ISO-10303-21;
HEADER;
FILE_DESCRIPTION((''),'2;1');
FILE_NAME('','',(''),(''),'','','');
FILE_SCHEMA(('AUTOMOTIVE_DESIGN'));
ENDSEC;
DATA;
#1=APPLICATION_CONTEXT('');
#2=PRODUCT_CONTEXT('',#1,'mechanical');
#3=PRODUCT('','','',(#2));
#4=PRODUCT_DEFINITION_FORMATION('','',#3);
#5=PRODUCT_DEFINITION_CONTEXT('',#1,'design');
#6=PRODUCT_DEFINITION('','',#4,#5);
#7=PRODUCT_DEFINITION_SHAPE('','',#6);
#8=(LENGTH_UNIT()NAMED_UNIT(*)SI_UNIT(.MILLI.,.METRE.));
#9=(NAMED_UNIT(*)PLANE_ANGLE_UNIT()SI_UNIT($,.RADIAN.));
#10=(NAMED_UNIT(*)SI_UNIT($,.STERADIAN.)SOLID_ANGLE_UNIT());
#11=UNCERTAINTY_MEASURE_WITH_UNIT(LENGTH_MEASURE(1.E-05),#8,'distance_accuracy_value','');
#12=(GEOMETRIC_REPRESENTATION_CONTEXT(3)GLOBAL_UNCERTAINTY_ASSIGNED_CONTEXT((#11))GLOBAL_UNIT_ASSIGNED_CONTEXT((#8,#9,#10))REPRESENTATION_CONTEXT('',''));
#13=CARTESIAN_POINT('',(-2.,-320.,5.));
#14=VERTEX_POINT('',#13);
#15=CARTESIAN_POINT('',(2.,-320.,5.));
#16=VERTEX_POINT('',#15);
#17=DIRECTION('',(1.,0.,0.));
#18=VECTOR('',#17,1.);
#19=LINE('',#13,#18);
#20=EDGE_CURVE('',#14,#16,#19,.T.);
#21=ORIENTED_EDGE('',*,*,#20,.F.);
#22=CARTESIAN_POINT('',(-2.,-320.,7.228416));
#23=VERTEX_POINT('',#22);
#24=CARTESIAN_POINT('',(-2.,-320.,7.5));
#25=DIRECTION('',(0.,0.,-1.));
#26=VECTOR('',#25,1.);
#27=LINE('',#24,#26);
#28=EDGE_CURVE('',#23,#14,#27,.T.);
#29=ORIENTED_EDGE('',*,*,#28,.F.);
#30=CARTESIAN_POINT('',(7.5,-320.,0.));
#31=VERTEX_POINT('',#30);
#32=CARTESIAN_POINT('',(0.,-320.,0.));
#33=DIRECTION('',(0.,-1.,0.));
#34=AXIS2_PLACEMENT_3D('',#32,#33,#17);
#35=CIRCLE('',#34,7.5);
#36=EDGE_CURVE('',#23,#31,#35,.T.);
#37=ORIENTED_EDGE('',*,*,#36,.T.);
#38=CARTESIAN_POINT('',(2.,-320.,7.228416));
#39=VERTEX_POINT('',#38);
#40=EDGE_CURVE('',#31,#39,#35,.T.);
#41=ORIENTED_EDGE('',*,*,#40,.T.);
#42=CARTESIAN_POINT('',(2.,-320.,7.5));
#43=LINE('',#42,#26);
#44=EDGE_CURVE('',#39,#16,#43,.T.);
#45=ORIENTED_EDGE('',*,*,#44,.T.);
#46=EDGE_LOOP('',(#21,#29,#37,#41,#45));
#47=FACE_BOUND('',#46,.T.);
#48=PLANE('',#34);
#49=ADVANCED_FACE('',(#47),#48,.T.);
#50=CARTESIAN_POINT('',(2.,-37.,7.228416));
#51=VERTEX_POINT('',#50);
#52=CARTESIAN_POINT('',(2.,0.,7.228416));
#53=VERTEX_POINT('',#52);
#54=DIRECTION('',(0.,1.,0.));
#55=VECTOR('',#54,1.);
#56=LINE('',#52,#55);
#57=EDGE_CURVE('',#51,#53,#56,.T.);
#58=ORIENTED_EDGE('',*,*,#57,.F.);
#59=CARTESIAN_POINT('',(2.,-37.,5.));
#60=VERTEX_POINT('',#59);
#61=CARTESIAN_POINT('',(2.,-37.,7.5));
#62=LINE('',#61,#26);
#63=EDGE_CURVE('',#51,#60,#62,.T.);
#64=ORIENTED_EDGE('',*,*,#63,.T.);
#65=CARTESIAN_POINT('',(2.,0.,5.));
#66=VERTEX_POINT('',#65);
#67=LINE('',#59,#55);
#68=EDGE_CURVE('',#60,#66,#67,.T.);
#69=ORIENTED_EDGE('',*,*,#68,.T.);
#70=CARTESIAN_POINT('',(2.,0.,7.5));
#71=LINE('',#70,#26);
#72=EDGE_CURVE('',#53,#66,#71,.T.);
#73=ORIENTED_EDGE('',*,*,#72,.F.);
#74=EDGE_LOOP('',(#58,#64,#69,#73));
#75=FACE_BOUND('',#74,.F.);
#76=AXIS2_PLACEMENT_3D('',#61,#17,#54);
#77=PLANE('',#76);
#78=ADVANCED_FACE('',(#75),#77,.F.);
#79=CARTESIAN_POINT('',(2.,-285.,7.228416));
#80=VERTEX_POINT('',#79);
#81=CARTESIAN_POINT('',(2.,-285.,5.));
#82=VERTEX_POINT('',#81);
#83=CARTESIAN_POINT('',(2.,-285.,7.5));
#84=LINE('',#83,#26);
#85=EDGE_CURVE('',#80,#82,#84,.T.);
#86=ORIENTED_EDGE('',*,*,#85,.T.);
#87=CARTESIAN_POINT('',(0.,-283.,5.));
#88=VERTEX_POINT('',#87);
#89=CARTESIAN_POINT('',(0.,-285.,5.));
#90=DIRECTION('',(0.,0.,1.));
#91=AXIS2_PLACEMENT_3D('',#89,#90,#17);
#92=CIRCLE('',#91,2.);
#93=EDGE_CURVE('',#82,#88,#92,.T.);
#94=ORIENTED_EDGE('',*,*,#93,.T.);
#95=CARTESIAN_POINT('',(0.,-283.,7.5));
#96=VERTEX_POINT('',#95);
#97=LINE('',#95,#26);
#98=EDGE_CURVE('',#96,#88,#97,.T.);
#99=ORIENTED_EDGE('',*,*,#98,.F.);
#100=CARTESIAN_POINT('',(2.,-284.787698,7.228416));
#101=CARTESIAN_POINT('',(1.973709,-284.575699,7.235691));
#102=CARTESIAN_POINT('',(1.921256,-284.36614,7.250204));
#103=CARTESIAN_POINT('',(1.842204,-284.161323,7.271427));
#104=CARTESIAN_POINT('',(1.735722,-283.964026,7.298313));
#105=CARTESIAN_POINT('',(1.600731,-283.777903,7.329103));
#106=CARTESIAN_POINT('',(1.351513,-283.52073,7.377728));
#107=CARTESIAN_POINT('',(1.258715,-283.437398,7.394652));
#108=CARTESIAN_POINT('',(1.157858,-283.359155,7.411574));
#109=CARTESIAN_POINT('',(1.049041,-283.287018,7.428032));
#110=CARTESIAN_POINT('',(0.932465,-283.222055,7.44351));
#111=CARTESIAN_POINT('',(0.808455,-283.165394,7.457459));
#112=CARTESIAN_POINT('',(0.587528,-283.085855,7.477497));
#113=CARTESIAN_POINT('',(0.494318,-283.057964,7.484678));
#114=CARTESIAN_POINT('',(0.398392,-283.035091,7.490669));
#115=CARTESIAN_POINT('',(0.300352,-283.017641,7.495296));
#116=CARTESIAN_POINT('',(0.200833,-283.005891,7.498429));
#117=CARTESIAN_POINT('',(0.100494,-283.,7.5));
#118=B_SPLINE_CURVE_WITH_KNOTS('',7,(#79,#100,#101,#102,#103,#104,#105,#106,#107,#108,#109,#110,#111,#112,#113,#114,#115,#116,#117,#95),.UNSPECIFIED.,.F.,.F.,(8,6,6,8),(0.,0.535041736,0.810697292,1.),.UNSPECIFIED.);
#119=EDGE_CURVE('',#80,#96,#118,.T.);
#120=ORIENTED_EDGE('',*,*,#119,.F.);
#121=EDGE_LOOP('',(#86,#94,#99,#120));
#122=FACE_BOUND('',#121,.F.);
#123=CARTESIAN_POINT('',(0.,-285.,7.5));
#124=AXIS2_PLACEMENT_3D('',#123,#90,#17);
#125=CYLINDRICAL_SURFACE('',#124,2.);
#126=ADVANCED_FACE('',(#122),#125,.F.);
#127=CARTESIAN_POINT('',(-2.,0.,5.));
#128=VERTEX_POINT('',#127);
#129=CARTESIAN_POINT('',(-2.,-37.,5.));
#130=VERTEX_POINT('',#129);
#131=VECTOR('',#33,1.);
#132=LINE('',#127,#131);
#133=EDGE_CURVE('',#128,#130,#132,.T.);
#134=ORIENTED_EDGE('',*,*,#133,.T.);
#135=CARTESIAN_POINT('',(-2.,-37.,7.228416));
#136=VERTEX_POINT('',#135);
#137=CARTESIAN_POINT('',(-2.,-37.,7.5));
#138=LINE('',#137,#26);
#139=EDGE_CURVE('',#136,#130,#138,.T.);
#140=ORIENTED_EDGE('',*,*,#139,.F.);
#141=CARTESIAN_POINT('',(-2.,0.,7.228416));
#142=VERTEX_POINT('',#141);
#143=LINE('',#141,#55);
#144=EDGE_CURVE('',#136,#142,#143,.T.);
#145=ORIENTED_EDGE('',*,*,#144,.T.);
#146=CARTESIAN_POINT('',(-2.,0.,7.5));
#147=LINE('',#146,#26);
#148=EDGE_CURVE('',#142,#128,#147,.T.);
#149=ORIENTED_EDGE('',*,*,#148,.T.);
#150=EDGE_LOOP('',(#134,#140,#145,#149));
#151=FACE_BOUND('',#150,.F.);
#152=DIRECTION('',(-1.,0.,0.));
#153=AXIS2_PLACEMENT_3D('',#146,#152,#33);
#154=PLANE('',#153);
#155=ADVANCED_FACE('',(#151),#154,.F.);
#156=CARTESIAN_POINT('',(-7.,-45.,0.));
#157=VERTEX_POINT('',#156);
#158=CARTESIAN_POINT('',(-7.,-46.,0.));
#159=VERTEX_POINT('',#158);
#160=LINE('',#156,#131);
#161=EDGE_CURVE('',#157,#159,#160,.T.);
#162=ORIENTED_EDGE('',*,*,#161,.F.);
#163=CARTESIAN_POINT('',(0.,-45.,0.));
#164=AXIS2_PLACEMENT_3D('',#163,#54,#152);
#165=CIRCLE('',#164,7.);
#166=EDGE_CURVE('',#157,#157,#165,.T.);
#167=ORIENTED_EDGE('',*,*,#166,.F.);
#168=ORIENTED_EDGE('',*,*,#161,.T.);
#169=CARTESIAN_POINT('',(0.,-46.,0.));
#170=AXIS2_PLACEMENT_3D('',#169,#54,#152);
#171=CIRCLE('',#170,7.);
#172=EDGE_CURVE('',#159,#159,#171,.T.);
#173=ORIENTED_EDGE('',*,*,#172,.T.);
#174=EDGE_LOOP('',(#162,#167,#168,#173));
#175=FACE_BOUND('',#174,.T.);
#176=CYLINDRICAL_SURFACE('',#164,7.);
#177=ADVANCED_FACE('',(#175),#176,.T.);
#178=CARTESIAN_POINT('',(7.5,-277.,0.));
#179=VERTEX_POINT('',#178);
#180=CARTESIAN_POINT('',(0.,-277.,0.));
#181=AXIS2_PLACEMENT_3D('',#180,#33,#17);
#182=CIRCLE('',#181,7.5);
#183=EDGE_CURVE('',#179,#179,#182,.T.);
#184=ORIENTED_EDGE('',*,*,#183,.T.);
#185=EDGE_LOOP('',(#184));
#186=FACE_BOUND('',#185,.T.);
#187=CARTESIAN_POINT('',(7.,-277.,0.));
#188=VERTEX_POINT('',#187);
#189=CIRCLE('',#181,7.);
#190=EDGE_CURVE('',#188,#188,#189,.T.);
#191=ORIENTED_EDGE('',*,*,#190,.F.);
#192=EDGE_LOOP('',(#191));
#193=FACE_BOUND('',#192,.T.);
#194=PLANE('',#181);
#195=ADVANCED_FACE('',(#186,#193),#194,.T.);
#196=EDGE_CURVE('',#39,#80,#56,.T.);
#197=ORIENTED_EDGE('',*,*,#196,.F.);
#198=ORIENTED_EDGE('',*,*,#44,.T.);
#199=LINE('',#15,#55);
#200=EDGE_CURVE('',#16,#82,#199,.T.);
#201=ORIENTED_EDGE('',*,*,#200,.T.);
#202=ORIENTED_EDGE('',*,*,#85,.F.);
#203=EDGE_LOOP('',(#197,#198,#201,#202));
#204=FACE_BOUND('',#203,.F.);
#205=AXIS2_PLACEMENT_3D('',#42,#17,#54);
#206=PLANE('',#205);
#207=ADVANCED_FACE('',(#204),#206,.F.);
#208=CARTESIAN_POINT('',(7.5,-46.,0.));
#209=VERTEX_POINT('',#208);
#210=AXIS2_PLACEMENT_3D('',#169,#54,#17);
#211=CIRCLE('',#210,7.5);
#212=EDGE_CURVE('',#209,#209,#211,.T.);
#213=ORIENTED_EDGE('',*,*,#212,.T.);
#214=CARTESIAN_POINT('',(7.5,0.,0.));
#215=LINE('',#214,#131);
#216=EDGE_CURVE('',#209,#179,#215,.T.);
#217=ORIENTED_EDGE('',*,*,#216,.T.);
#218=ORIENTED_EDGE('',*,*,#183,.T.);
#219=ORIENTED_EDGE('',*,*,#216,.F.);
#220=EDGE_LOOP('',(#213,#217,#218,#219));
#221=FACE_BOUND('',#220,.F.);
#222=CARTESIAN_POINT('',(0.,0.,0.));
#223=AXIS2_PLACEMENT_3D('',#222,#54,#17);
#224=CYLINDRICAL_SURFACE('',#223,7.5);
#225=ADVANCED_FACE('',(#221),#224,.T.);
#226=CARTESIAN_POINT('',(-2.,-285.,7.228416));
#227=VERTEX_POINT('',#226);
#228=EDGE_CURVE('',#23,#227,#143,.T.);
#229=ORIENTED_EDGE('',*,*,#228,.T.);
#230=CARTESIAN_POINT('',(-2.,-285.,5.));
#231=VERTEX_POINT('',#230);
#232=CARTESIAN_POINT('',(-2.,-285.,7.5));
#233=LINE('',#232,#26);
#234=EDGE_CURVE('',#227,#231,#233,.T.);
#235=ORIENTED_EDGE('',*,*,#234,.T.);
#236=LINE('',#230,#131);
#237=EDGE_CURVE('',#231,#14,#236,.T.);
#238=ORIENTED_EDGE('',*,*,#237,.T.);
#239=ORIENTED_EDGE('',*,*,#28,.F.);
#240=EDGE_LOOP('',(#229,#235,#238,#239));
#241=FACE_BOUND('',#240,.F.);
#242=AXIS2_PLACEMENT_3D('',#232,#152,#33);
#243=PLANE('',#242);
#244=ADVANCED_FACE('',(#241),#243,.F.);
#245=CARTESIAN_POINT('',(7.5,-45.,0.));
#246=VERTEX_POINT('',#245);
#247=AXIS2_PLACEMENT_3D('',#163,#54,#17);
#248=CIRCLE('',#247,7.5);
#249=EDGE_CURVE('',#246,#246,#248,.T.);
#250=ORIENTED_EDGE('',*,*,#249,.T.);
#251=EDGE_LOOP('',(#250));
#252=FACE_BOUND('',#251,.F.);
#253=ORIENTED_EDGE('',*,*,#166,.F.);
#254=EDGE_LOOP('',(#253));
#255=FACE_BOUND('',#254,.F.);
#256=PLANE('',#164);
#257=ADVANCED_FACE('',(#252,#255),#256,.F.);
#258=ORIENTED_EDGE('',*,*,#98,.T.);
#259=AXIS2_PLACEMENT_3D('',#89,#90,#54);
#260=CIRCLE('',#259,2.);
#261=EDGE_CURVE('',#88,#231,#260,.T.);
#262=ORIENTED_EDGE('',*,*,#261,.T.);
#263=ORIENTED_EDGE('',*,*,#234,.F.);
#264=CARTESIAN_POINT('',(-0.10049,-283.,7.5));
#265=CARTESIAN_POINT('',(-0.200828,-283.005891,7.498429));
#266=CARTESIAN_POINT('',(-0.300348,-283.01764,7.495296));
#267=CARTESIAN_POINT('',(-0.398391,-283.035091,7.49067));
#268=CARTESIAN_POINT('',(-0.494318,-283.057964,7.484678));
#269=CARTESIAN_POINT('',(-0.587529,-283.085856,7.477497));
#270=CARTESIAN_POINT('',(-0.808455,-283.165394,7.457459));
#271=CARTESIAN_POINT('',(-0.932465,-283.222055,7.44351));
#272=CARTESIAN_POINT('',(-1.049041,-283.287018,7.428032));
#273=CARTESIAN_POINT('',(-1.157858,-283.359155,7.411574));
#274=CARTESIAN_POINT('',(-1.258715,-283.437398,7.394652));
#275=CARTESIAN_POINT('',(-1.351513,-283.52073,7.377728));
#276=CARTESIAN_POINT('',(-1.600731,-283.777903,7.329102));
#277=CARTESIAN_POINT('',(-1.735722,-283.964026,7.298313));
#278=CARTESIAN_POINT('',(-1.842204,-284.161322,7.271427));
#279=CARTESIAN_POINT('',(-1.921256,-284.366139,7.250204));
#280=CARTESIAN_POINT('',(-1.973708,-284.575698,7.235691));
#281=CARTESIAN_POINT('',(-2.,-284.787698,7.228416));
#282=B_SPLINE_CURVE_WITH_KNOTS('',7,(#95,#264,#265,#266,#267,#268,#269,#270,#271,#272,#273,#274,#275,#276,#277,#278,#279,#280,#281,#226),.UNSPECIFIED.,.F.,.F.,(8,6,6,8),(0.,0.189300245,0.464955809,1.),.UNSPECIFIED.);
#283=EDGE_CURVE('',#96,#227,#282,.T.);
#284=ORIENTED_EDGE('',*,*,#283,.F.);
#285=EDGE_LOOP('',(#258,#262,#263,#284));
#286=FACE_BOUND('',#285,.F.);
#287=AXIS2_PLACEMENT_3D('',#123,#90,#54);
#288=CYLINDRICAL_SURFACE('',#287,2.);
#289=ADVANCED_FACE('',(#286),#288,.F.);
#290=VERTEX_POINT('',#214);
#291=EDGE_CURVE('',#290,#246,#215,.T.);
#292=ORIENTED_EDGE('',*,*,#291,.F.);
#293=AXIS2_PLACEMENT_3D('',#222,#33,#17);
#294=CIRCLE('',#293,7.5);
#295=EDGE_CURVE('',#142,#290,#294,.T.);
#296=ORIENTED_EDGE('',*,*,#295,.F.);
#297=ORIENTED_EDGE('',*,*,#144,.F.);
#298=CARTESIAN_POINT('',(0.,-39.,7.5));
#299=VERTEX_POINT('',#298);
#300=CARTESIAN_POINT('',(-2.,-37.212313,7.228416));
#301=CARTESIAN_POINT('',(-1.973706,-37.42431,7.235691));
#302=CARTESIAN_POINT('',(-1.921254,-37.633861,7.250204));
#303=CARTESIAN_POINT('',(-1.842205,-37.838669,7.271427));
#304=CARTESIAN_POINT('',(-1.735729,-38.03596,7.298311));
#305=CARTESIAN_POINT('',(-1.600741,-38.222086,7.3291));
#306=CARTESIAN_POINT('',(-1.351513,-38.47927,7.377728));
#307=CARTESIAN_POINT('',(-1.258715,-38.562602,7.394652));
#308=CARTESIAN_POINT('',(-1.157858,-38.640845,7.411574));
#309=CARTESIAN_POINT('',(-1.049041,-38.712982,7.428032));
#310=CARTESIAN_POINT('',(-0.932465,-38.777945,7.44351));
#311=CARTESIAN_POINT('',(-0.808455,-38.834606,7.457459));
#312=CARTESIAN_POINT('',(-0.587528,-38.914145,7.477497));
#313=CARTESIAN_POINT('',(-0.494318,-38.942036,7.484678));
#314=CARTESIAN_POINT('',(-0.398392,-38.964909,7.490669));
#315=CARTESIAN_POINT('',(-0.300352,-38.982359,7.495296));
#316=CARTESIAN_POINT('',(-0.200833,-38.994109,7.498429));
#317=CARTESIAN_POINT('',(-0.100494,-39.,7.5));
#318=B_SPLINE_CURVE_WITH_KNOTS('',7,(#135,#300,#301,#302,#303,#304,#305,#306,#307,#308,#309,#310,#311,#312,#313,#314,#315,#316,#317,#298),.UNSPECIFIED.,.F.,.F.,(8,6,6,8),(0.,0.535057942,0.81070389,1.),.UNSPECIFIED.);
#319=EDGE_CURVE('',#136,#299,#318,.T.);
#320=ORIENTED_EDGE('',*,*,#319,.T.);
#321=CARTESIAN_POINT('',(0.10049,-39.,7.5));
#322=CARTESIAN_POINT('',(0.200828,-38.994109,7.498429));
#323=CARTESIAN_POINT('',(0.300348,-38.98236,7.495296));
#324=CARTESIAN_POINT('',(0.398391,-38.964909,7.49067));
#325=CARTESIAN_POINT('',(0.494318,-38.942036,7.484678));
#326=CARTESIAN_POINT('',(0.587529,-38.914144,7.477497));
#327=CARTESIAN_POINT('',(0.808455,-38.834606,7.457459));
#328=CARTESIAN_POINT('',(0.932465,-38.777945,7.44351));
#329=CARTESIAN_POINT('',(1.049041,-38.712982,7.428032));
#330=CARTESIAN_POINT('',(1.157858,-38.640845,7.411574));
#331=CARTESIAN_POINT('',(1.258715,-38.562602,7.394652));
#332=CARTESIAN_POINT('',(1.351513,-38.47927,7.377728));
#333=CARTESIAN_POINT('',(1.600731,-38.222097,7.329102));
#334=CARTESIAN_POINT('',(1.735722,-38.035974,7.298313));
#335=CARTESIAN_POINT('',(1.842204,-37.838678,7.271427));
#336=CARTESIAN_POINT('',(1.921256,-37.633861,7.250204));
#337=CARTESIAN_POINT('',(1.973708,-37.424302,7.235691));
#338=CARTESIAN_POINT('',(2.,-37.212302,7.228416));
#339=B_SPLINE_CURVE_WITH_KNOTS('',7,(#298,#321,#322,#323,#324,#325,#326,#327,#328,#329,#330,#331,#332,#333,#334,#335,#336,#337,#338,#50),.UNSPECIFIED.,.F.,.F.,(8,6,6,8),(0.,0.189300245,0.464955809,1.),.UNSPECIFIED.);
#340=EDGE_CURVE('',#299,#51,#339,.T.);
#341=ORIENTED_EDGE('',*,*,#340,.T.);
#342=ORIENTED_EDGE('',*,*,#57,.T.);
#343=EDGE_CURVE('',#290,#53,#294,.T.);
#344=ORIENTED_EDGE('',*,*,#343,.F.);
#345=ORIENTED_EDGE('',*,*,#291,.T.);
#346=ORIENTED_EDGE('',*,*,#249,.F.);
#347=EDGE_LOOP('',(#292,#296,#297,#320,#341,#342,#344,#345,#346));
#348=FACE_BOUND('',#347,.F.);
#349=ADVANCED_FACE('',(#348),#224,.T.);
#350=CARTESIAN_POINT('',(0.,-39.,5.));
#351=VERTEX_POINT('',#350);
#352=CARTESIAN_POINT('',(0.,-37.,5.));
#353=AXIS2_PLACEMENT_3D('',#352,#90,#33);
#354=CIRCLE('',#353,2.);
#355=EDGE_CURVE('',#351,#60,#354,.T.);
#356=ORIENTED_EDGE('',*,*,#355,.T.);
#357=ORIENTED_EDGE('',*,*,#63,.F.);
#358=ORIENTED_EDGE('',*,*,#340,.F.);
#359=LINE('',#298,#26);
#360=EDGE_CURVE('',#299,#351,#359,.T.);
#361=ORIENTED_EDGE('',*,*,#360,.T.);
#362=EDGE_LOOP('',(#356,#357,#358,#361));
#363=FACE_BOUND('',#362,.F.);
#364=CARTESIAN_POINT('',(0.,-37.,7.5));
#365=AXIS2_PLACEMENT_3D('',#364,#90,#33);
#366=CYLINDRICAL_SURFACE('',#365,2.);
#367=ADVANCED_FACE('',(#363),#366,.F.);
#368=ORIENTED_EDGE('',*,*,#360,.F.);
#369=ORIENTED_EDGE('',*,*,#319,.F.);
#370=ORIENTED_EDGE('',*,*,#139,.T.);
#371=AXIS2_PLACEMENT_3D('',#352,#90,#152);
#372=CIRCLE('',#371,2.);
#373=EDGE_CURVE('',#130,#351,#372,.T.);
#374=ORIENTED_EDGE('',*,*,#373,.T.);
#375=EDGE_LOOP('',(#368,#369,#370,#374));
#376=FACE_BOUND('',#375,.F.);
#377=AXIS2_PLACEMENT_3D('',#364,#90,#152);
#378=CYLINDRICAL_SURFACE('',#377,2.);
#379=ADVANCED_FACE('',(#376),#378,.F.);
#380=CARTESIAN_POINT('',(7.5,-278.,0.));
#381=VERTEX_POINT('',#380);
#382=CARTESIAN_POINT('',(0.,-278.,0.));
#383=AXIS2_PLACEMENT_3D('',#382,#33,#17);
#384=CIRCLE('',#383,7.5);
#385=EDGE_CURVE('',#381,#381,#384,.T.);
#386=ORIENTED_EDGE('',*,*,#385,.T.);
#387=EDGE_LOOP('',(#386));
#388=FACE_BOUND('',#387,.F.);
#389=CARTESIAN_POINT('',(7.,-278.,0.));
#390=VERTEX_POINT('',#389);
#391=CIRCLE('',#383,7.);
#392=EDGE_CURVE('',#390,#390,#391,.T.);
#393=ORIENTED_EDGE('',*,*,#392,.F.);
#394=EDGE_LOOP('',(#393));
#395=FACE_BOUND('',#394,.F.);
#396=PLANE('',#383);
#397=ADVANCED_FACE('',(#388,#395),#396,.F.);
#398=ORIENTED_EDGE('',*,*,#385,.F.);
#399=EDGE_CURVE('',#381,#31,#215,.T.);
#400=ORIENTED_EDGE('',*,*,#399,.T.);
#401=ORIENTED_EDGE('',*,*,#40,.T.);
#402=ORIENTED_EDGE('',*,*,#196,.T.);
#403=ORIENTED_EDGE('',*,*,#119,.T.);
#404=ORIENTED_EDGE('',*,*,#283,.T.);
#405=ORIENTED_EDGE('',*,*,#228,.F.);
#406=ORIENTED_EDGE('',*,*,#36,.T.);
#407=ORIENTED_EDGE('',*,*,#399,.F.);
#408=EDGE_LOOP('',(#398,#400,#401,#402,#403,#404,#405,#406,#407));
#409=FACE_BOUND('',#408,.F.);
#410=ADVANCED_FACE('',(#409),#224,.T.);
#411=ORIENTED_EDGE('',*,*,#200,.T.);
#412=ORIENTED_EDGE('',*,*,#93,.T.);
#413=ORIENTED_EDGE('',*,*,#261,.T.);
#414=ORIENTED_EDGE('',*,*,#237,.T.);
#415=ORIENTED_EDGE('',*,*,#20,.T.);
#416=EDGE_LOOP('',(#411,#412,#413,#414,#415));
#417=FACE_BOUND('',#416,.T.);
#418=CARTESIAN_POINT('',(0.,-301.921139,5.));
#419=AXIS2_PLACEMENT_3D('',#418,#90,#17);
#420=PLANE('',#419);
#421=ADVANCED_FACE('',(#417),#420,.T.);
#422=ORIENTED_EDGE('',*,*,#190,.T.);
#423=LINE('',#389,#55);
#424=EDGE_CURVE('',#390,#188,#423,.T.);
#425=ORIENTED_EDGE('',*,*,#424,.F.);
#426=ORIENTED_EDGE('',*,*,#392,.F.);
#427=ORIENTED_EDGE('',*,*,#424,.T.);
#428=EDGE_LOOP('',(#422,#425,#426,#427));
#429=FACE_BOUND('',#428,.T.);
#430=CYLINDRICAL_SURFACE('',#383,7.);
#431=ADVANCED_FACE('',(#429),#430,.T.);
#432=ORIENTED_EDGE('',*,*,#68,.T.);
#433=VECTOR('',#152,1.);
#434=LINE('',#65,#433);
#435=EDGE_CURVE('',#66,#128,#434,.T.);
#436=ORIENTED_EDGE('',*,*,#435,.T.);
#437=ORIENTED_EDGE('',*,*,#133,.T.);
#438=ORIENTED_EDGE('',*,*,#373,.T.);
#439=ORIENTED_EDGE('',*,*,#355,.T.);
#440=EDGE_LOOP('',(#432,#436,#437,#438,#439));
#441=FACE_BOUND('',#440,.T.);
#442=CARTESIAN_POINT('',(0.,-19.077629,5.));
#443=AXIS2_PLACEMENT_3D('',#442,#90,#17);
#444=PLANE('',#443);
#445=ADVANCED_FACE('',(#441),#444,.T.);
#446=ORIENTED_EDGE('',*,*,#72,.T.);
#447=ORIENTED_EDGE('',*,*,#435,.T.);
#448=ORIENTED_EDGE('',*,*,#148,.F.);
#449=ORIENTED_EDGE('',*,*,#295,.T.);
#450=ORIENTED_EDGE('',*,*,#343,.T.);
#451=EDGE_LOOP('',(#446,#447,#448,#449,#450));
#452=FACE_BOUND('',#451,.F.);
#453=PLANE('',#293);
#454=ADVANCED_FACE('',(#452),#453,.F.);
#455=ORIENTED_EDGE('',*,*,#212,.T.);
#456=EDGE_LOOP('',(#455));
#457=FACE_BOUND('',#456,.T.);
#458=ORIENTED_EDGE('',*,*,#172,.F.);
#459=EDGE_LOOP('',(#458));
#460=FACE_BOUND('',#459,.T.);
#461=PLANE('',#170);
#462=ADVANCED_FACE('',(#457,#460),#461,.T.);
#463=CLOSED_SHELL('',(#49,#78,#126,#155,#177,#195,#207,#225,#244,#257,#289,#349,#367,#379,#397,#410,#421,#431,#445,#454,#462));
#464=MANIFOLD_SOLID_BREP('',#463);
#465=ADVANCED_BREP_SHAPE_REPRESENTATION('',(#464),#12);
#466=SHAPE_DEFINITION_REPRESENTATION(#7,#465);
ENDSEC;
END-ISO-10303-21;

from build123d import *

# Parameters (mm, degrees)
F0_R      = 7.5
F1_DEPTH  = 320
F4_DEPTH  = 2.5
F6_R      = 7.5
F6_R_2    = 7
F7_DEPTH  = 1
F9_R      = 7.5
F9_R_2    = 7
F10_DEPTH = 1


with BuildPart() as f1:
    # F0 (on Front) → F1 (new body)
    with BuildSketch(Plane.XZ):
        Circle(F0_R)
    extrude(amount=F1_DEPTH)

    # F3 (on offset) → F4 (cut)
    with BuildSketch(Plane.XY.offset(7.5)):
        with BuildLine():
            Line((2, 0), (-2, 0))
            Line((-2, 0), (-2, -37))
            ThreePointArc((-2, -37), (-1.4142135624, -38.4142135624), (0, -39))
            ThreePointArc((0, -39), (1.4142135624, -38.4142135624), (2, -37))
            Line((2, -37), (2, 0))
        make_face()
        with BuildLine():
            Line((-2, -320), (2, -320))
            Line((2, -320), (2, -285))
            ThreePointArc((2, -285), (1.4142135624, -283.5857864376), (0, -283))
            ThreePointArc((0, -283), (-1.4142135624, -283.5857864376), (-2, -285))
            Line((-2, -285), (-2, -320))
        make_face()
    extrude(amount=-F4_DEPTH, mode=Mode.SUBTRACT)

    # F6 (on offset) → F7 (cut)
    with BuildSketch(Plane.XZ.offset(278)):
        Circle(F6_R)
        Circle(F6_R_2, mode=Mode.SUBTRACT)
    extrude(amount=-F7_DEPTH, mode=Mode.SUBTRACT)

    # F9 (on offset) → F10 (cut)
    with BuildSketch(Plane(origin=(0, -45, 0), x_dir=(-1, 0, 0), z_dir=(0, 1, 0))):
        Circle(F9_R)
        Circle(F9_R_2, mode=Mode.SUBTRACT)
    extrude(amount=-F10_DEPTH, mode=Mode.SUBTRACT)


solid = f1.part
